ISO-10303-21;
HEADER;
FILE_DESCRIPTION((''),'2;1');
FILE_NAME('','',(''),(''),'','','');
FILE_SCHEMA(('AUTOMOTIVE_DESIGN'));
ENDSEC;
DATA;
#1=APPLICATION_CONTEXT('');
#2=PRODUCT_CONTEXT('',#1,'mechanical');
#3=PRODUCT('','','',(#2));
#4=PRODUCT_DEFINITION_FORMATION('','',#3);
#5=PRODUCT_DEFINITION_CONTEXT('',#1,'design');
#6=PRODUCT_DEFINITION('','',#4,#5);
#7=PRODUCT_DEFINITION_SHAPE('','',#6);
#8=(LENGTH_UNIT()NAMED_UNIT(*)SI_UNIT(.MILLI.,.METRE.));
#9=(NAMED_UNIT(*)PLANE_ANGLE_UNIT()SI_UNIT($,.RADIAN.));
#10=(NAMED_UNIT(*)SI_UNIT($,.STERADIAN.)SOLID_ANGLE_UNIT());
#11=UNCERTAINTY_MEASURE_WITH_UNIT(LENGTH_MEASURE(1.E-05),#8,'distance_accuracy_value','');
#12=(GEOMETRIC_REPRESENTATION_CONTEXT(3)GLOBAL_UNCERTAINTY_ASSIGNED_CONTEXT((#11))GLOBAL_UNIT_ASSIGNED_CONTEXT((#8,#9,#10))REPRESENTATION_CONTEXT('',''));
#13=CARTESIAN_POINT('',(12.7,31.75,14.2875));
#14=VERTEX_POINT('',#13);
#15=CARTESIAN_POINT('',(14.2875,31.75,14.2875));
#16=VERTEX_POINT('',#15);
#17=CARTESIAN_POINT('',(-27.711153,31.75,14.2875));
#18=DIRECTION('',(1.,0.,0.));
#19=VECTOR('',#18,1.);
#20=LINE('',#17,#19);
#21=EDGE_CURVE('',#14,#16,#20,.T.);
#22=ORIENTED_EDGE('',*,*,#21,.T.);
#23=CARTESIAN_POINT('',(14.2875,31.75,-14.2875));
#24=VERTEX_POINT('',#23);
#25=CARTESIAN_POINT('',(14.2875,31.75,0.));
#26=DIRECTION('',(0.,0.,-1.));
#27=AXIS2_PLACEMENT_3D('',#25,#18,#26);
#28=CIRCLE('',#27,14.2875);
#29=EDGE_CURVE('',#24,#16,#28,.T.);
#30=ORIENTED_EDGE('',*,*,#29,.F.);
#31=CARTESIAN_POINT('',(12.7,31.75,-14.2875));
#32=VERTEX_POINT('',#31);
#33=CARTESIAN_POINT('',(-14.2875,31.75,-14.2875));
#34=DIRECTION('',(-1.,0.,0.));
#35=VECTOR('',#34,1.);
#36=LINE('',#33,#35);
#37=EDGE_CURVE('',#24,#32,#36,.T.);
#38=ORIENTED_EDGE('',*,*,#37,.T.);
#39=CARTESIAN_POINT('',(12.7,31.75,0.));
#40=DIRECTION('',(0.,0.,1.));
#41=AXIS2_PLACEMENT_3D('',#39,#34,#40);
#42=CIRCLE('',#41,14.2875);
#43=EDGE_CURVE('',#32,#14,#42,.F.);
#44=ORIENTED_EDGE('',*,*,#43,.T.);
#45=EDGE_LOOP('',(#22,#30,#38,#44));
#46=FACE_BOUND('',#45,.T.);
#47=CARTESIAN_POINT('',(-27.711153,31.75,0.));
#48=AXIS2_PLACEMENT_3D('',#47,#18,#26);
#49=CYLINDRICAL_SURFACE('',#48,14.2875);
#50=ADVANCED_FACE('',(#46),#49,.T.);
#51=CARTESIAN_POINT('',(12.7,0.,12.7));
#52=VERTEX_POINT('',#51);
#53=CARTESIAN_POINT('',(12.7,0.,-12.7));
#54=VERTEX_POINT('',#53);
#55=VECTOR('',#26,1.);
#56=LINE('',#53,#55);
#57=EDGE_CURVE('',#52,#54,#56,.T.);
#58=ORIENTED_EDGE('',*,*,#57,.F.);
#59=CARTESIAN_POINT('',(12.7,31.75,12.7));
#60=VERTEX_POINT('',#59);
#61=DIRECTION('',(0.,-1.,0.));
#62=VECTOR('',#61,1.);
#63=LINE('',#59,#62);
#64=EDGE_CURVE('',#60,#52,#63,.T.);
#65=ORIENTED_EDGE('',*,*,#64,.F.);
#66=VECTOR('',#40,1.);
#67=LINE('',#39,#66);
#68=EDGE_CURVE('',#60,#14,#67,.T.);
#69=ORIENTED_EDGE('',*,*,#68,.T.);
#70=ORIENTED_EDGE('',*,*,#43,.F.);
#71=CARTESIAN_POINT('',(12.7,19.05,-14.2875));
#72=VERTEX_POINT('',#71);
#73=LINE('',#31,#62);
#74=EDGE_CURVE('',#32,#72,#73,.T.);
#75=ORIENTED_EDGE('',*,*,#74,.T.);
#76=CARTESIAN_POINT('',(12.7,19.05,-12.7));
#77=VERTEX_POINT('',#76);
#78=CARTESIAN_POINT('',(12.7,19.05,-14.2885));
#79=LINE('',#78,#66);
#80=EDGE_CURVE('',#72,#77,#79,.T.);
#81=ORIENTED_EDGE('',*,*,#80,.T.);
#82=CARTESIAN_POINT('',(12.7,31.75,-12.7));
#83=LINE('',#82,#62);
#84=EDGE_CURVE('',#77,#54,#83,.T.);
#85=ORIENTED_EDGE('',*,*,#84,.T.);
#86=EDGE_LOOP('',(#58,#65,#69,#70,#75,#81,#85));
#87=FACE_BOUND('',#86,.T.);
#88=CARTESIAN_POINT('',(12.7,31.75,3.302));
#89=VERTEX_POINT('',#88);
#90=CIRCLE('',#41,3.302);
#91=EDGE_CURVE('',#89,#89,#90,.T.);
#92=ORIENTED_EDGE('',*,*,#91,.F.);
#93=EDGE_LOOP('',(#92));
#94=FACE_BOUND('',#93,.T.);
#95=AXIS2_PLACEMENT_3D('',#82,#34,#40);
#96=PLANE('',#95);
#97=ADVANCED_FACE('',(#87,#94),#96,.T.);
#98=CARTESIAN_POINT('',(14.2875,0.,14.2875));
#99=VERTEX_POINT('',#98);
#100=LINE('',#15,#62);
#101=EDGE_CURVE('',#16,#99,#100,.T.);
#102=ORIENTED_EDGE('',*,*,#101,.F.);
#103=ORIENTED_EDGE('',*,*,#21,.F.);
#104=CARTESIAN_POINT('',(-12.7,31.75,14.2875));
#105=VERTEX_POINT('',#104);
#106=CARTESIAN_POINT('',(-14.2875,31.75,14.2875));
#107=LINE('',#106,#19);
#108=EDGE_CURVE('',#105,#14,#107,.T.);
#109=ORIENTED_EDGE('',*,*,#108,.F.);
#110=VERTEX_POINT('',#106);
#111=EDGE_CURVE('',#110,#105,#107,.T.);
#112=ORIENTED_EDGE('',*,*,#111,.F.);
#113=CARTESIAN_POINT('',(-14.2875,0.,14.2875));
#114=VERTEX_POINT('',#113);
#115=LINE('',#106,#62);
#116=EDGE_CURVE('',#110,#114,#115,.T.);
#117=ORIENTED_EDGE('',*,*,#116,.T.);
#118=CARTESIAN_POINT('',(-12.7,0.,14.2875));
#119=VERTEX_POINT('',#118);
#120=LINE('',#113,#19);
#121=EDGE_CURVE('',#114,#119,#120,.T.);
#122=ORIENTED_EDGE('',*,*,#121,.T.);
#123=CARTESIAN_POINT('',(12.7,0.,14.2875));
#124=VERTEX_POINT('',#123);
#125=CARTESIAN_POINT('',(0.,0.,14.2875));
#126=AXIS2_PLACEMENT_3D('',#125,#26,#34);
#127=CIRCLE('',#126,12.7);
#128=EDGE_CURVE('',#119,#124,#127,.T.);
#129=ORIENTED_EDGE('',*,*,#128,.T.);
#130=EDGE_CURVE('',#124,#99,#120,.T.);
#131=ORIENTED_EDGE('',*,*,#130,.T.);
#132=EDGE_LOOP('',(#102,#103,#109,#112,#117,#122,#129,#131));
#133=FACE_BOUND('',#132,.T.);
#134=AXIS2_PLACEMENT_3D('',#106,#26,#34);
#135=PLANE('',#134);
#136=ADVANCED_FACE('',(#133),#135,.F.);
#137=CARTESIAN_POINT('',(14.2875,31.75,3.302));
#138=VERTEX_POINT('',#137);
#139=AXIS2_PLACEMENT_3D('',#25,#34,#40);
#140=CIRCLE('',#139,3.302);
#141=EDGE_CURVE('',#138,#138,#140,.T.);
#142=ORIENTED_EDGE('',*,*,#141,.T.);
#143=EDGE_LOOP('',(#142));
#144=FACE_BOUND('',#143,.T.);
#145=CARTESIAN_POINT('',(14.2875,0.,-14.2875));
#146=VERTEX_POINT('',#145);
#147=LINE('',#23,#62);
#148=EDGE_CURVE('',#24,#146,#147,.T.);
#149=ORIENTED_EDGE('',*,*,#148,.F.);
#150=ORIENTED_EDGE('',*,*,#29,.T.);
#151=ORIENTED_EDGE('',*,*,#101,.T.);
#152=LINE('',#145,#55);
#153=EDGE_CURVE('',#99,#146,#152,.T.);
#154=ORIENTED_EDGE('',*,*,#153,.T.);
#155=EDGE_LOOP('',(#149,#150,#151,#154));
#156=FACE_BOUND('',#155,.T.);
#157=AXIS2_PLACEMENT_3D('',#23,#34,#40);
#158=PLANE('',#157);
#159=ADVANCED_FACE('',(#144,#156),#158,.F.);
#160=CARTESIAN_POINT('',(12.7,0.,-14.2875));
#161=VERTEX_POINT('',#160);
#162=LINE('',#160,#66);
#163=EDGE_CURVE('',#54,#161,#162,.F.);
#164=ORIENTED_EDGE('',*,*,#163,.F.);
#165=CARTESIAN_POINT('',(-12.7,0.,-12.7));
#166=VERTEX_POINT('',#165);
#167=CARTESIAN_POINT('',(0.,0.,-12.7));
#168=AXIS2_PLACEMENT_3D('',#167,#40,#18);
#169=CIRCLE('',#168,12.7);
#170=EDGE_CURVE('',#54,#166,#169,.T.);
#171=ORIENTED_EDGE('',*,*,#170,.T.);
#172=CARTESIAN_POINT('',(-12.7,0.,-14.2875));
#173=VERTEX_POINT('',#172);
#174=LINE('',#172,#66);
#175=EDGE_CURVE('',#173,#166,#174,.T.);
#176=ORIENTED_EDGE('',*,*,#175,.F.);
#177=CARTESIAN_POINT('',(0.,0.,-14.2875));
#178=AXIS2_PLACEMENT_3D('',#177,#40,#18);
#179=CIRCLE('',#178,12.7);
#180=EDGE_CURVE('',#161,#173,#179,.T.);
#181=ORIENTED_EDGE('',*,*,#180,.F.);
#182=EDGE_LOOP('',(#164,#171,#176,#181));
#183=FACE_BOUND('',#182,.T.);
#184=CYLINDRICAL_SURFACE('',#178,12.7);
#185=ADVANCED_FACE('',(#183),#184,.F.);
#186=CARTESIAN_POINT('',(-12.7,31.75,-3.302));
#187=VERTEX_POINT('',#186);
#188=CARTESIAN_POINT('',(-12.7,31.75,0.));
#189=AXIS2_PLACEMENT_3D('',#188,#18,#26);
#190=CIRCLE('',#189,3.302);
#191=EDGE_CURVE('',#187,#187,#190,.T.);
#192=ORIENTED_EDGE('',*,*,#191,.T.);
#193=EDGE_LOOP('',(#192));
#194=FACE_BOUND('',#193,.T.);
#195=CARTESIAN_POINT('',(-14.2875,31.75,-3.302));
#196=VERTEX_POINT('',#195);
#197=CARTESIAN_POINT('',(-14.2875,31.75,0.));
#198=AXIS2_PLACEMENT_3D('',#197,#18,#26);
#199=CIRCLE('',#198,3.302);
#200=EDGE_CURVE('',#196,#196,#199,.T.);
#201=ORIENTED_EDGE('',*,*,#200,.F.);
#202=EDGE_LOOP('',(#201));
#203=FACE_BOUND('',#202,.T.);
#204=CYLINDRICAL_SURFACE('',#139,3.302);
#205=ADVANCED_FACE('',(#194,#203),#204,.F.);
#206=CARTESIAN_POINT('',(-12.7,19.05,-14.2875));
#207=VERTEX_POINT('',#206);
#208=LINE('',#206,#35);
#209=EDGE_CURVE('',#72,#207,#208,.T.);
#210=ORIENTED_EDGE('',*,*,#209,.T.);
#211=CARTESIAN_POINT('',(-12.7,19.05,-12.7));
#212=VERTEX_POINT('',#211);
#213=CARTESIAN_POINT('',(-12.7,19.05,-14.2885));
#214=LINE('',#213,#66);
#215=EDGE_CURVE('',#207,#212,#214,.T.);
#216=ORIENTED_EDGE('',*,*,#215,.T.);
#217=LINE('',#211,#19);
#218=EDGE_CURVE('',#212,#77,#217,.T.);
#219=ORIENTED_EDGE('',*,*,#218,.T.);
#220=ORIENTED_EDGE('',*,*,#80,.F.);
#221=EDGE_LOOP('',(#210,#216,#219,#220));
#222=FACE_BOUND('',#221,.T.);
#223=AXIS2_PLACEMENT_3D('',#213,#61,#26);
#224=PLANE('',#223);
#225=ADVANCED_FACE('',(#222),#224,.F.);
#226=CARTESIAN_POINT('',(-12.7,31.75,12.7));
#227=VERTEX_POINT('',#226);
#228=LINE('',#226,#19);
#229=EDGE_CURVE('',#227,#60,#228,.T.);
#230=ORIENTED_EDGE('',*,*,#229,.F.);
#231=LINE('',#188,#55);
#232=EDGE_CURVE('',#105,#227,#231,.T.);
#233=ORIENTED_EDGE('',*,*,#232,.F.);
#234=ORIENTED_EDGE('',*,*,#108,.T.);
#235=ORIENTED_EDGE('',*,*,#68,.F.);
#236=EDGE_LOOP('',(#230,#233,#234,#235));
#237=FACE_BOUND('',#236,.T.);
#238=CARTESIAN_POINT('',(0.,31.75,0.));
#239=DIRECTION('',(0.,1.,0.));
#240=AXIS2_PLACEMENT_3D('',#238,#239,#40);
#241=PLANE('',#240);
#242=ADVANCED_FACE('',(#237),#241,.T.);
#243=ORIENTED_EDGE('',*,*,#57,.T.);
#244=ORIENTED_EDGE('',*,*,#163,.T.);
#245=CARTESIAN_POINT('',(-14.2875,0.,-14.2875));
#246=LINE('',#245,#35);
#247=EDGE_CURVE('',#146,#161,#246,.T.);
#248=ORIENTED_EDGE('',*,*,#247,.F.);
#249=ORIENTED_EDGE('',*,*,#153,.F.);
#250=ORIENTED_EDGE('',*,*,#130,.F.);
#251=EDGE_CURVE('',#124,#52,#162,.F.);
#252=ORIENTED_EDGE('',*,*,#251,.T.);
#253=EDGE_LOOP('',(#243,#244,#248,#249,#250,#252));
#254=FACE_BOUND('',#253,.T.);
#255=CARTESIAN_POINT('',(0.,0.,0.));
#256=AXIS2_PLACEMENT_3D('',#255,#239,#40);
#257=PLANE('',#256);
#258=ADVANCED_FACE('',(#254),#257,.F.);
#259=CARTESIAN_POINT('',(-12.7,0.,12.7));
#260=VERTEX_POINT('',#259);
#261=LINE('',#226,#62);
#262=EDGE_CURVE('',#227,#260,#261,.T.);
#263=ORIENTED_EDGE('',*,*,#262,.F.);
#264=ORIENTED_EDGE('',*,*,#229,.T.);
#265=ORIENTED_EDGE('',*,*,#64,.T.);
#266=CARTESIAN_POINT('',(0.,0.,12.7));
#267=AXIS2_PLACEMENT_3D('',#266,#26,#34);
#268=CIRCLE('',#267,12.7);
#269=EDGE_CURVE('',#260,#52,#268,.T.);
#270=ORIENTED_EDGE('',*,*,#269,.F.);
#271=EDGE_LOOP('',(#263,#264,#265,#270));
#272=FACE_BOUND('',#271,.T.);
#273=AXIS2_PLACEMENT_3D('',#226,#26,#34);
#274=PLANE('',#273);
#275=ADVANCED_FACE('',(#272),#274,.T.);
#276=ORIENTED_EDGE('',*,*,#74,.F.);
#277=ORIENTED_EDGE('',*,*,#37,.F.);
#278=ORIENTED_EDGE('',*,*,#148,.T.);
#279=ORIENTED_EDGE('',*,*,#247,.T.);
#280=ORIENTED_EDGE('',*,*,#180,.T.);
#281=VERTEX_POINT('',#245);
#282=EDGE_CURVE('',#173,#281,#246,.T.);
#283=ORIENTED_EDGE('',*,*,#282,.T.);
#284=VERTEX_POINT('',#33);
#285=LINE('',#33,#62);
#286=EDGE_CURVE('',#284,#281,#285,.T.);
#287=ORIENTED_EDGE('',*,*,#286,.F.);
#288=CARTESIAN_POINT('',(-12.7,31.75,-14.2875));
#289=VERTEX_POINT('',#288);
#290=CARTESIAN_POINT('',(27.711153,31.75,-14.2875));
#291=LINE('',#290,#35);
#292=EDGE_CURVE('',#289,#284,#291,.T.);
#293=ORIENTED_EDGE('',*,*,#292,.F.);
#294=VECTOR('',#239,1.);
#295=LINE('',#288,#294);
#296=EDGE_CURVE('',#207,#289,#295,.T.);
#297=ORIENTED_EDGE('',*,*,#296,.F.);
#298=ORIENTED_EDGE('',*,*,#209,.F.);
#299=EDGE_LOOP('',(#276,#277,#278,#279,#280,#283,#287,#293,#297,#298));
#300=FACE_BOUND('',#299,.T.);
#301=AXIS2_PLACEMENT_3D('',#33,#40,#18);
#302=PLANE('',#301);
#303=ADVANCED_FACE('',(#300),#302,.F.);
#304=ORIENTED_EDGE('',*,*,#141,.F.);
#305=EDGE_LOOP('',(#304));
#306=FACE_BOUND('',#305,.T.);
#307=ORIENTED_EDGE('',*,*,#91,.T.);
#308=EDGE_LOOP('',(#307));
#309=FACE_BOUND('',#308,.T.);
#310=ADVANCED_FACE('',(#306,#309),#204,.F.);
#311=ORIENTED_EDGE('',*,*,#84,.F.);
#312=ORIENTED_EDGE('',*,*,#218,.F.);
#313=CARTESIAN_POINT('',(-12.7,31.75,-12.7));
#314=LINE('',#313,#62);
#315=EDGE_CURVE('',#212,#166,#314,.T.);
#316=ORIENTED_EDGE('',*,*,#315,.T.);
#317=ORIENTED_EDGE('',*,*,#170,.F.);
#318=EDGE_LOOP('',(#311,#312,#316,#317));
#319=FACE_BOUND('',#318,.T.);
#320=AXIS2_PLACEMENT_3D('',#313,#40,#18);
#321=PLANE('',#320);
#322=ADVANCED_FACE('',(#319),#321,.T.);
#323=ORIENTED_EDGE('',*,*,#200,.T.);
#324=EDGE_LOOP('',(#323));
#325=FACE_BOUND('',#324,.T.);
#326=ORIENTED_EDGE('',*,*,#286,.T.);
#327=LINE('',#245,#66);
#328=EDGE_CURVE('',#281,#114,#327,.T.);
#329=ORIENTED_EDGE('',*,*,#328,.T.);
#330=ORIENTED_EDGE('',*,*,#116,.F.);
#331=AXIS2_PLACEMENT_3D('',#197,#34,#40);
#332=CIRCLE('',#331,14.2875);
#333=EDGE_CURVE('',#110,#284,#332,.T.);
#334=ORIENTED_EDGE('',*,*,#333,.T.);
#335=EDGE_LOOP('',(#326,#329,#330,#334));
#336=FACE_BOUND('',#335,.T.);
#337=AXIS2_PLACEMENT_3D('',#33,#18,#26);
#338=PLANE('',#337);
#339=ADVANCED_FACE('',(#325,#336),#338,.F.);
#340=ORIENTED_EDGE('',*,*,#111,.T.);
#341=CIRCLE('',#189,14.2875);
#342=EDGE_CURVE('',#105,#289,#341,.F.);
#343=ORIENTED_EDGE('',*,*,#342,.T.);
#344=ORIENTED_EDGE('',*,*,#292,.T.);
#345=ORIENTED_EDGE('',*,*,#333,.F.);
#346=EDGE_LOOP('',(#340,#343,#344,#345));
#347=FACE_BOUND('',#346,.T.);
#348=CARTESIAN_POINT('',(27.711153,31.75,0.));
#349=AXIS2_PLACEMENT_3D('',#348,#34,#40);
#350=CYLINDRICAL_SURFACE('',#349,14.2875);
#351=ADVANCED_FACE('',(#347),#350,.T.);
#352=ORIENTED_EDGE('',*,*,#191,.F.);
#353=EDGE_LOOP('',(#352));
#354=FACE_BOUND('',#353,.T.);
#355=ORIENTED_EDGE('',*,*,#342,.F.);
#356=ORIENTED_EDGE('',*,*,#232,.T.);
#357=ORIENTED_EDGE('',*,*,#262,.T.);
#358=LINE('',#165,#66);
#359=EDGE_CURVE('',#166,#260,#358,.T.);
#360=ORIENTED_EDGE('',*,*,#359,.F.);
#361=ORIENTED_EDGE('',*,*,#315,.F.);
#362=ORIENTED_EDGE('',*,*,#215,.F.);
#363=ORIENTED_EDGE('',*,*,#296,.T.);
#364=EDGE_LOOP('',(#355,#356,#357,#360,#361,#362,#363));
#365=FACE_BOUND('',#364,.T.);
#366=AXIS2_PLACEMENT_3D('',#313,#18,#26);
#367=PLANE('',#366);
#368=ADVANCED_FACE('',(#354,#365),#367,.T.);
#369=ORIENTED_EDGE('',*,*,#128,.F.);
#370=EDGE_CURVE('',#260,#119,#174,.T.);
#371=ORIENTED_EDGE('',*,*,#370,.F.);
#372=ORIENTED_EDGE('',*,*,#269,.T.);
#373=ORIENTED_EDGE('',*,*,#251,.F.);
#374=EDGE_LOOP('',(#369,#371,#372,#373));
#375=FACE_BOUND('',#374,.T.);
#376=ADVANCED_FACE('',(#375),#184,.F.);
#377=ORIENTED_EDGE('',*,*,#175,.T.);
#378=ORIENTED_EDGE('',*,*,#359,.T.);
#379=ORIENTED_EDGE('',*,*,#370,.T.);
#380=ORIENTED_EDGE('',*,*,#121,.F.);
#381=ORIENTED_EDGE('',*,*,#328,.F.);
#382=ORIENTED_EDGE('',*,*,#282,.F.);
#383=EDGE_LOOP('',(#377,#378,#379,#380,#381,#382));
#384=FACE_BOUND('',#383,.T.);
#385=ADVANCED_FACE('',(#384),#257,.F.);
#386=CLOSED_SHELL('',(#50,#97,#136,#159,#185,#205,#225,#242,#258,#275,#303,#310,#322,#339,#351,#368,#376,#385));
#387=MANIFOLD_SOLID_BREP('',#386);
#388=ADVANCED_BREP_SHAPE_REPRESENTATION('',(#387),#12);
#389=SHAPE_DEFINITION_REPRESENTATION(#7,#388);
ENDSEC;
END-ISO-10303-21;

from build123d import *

# Parameters (mm, degrees)
SKETCH1_W               = 28.575
SKETCH1_H               = 28.575
SKETCH1_W_2             = 25.4
SKETCH1_H_2             = 25.4
BOSS_EXTRUDE1_DEPTH     = 31.75
SKETCH2_R               = 14.2875
BOSS_EXTRUDE2_DEPTH     = 1.5875
BOSS_EXTRUDE3_START     = -1.5875
SKETCH3_R               = 14.2875
BOSS_EXTRUDE3_DEPTH     = 1.5875
CUT_EXTRUDE1_DEPTH      = 57.036726238
CUT_EXTRUDE1_DEPTH_BACK = 57.036726238
SKETCH4_R               = 3.302
CUT_EXTRUDE2_DEPTH      = 57.036726238
CUT_EXTRUDE2_DEPTH_BACK = 57.036726238
SKETCH5_R               = 12.7
CUT_EXTRUDE3_REACH      = 57.244
SKETCH6_W               = 25.4
SKETCH6_H               = 12.7


with BuildPart() as part:
    # Sketch1 → Boss-Extrude1 (new body)
    with BuildSketch(Plane(origin=(0, 0, 0), x_dir=(1, 0, 0), z_dir=(0, 1, 0))):
        Rectangle(SKETCH1_W, SKETCH1_H)
        Rectangle(SKETCH1_W_2, SKETCH1_H_2, mode=Mode.SUBTRACT)
    extrude(amount=BOSS_EXTRUDE1_DEPTH)

    # Sketch2 → Boss-Extrude2 (add)
    with BuildSketch(Plane.ZY.offset(14.2875)):
        with Locations((0, 31.75)):
            Circle(SKETCH2_R)
    extrude(amount=-BOSS_EXTRUDE2_DEPTH)

    # Sketch3 → Boss-Extrude3 (add)
    with BuildSketch(Plane(origin=(14.2875, 0, 0), x_dir=(0, 0, -1), z_dir=(1, 0, 0)).offset(BOSS_EXTRUDE3_START)):
        with Locations((0, 31.75)):
            Circle(SKETCH3_R)
    extrude(amount=BOSS_EXTRUDE3_DEPTH)

    # Sketch4 → Cut-Extrude1 (cut, two sides: drawn at the far end of the back side and taken through both)
    with BuildSketch(Plane.ZY.offset(14.2875).offset(-CUT_EXTRUDE1_DEPTH_BACK)):
        with Locations(Location((0, 31.75, 0), (0, 0, 180))):
            Circle(SKETCH4_R)
    extrude(amount=CUT_EXTRUDE1_DEPTH + CUT_EXTRUDE1_DEPTH_BACK, mode=Mode.SUBTRACT)

    # Sketch5 → Cut-Extrude2 (cut, two sides: drawn at the far end of the back side and taken through both)
    with BuildSketch(Plane.XY.offset(14.2875).offset(-CUT_EXTRUDE2_DEPTH_BACK)):
        Circle(SKETCH5_R)
    extrude(amount=CUT_EXTRUDE2_DEPTH + CUT_EXTRUDE2_DEPTH_BACK, mode=Mode.SUBTRACT)

    # Sketch6 → Cut-Extrude3 (cut, up to next)
    with BuildSketch(Plane.XY.offset(-12.7), mode=Mode.PRIVATE) as cut_extrude3_sk1:
        with Locations((0, 25.4)):
            Rectangle(SKETCH6_W, SKETCH6_H)
    cut_extrude3_tool1 = extrude(cut_extrude3_sk1.sketch, amount=-CUT_EXTRUDE3_REACH, mode=Mode.PRIVATE) & part.part
    add(cut_extrude3_tool1.solids().sort_by_distance((0, 25.4, -12.7))[0], mode=Mode.SUBTRACT)


solid = part.part
